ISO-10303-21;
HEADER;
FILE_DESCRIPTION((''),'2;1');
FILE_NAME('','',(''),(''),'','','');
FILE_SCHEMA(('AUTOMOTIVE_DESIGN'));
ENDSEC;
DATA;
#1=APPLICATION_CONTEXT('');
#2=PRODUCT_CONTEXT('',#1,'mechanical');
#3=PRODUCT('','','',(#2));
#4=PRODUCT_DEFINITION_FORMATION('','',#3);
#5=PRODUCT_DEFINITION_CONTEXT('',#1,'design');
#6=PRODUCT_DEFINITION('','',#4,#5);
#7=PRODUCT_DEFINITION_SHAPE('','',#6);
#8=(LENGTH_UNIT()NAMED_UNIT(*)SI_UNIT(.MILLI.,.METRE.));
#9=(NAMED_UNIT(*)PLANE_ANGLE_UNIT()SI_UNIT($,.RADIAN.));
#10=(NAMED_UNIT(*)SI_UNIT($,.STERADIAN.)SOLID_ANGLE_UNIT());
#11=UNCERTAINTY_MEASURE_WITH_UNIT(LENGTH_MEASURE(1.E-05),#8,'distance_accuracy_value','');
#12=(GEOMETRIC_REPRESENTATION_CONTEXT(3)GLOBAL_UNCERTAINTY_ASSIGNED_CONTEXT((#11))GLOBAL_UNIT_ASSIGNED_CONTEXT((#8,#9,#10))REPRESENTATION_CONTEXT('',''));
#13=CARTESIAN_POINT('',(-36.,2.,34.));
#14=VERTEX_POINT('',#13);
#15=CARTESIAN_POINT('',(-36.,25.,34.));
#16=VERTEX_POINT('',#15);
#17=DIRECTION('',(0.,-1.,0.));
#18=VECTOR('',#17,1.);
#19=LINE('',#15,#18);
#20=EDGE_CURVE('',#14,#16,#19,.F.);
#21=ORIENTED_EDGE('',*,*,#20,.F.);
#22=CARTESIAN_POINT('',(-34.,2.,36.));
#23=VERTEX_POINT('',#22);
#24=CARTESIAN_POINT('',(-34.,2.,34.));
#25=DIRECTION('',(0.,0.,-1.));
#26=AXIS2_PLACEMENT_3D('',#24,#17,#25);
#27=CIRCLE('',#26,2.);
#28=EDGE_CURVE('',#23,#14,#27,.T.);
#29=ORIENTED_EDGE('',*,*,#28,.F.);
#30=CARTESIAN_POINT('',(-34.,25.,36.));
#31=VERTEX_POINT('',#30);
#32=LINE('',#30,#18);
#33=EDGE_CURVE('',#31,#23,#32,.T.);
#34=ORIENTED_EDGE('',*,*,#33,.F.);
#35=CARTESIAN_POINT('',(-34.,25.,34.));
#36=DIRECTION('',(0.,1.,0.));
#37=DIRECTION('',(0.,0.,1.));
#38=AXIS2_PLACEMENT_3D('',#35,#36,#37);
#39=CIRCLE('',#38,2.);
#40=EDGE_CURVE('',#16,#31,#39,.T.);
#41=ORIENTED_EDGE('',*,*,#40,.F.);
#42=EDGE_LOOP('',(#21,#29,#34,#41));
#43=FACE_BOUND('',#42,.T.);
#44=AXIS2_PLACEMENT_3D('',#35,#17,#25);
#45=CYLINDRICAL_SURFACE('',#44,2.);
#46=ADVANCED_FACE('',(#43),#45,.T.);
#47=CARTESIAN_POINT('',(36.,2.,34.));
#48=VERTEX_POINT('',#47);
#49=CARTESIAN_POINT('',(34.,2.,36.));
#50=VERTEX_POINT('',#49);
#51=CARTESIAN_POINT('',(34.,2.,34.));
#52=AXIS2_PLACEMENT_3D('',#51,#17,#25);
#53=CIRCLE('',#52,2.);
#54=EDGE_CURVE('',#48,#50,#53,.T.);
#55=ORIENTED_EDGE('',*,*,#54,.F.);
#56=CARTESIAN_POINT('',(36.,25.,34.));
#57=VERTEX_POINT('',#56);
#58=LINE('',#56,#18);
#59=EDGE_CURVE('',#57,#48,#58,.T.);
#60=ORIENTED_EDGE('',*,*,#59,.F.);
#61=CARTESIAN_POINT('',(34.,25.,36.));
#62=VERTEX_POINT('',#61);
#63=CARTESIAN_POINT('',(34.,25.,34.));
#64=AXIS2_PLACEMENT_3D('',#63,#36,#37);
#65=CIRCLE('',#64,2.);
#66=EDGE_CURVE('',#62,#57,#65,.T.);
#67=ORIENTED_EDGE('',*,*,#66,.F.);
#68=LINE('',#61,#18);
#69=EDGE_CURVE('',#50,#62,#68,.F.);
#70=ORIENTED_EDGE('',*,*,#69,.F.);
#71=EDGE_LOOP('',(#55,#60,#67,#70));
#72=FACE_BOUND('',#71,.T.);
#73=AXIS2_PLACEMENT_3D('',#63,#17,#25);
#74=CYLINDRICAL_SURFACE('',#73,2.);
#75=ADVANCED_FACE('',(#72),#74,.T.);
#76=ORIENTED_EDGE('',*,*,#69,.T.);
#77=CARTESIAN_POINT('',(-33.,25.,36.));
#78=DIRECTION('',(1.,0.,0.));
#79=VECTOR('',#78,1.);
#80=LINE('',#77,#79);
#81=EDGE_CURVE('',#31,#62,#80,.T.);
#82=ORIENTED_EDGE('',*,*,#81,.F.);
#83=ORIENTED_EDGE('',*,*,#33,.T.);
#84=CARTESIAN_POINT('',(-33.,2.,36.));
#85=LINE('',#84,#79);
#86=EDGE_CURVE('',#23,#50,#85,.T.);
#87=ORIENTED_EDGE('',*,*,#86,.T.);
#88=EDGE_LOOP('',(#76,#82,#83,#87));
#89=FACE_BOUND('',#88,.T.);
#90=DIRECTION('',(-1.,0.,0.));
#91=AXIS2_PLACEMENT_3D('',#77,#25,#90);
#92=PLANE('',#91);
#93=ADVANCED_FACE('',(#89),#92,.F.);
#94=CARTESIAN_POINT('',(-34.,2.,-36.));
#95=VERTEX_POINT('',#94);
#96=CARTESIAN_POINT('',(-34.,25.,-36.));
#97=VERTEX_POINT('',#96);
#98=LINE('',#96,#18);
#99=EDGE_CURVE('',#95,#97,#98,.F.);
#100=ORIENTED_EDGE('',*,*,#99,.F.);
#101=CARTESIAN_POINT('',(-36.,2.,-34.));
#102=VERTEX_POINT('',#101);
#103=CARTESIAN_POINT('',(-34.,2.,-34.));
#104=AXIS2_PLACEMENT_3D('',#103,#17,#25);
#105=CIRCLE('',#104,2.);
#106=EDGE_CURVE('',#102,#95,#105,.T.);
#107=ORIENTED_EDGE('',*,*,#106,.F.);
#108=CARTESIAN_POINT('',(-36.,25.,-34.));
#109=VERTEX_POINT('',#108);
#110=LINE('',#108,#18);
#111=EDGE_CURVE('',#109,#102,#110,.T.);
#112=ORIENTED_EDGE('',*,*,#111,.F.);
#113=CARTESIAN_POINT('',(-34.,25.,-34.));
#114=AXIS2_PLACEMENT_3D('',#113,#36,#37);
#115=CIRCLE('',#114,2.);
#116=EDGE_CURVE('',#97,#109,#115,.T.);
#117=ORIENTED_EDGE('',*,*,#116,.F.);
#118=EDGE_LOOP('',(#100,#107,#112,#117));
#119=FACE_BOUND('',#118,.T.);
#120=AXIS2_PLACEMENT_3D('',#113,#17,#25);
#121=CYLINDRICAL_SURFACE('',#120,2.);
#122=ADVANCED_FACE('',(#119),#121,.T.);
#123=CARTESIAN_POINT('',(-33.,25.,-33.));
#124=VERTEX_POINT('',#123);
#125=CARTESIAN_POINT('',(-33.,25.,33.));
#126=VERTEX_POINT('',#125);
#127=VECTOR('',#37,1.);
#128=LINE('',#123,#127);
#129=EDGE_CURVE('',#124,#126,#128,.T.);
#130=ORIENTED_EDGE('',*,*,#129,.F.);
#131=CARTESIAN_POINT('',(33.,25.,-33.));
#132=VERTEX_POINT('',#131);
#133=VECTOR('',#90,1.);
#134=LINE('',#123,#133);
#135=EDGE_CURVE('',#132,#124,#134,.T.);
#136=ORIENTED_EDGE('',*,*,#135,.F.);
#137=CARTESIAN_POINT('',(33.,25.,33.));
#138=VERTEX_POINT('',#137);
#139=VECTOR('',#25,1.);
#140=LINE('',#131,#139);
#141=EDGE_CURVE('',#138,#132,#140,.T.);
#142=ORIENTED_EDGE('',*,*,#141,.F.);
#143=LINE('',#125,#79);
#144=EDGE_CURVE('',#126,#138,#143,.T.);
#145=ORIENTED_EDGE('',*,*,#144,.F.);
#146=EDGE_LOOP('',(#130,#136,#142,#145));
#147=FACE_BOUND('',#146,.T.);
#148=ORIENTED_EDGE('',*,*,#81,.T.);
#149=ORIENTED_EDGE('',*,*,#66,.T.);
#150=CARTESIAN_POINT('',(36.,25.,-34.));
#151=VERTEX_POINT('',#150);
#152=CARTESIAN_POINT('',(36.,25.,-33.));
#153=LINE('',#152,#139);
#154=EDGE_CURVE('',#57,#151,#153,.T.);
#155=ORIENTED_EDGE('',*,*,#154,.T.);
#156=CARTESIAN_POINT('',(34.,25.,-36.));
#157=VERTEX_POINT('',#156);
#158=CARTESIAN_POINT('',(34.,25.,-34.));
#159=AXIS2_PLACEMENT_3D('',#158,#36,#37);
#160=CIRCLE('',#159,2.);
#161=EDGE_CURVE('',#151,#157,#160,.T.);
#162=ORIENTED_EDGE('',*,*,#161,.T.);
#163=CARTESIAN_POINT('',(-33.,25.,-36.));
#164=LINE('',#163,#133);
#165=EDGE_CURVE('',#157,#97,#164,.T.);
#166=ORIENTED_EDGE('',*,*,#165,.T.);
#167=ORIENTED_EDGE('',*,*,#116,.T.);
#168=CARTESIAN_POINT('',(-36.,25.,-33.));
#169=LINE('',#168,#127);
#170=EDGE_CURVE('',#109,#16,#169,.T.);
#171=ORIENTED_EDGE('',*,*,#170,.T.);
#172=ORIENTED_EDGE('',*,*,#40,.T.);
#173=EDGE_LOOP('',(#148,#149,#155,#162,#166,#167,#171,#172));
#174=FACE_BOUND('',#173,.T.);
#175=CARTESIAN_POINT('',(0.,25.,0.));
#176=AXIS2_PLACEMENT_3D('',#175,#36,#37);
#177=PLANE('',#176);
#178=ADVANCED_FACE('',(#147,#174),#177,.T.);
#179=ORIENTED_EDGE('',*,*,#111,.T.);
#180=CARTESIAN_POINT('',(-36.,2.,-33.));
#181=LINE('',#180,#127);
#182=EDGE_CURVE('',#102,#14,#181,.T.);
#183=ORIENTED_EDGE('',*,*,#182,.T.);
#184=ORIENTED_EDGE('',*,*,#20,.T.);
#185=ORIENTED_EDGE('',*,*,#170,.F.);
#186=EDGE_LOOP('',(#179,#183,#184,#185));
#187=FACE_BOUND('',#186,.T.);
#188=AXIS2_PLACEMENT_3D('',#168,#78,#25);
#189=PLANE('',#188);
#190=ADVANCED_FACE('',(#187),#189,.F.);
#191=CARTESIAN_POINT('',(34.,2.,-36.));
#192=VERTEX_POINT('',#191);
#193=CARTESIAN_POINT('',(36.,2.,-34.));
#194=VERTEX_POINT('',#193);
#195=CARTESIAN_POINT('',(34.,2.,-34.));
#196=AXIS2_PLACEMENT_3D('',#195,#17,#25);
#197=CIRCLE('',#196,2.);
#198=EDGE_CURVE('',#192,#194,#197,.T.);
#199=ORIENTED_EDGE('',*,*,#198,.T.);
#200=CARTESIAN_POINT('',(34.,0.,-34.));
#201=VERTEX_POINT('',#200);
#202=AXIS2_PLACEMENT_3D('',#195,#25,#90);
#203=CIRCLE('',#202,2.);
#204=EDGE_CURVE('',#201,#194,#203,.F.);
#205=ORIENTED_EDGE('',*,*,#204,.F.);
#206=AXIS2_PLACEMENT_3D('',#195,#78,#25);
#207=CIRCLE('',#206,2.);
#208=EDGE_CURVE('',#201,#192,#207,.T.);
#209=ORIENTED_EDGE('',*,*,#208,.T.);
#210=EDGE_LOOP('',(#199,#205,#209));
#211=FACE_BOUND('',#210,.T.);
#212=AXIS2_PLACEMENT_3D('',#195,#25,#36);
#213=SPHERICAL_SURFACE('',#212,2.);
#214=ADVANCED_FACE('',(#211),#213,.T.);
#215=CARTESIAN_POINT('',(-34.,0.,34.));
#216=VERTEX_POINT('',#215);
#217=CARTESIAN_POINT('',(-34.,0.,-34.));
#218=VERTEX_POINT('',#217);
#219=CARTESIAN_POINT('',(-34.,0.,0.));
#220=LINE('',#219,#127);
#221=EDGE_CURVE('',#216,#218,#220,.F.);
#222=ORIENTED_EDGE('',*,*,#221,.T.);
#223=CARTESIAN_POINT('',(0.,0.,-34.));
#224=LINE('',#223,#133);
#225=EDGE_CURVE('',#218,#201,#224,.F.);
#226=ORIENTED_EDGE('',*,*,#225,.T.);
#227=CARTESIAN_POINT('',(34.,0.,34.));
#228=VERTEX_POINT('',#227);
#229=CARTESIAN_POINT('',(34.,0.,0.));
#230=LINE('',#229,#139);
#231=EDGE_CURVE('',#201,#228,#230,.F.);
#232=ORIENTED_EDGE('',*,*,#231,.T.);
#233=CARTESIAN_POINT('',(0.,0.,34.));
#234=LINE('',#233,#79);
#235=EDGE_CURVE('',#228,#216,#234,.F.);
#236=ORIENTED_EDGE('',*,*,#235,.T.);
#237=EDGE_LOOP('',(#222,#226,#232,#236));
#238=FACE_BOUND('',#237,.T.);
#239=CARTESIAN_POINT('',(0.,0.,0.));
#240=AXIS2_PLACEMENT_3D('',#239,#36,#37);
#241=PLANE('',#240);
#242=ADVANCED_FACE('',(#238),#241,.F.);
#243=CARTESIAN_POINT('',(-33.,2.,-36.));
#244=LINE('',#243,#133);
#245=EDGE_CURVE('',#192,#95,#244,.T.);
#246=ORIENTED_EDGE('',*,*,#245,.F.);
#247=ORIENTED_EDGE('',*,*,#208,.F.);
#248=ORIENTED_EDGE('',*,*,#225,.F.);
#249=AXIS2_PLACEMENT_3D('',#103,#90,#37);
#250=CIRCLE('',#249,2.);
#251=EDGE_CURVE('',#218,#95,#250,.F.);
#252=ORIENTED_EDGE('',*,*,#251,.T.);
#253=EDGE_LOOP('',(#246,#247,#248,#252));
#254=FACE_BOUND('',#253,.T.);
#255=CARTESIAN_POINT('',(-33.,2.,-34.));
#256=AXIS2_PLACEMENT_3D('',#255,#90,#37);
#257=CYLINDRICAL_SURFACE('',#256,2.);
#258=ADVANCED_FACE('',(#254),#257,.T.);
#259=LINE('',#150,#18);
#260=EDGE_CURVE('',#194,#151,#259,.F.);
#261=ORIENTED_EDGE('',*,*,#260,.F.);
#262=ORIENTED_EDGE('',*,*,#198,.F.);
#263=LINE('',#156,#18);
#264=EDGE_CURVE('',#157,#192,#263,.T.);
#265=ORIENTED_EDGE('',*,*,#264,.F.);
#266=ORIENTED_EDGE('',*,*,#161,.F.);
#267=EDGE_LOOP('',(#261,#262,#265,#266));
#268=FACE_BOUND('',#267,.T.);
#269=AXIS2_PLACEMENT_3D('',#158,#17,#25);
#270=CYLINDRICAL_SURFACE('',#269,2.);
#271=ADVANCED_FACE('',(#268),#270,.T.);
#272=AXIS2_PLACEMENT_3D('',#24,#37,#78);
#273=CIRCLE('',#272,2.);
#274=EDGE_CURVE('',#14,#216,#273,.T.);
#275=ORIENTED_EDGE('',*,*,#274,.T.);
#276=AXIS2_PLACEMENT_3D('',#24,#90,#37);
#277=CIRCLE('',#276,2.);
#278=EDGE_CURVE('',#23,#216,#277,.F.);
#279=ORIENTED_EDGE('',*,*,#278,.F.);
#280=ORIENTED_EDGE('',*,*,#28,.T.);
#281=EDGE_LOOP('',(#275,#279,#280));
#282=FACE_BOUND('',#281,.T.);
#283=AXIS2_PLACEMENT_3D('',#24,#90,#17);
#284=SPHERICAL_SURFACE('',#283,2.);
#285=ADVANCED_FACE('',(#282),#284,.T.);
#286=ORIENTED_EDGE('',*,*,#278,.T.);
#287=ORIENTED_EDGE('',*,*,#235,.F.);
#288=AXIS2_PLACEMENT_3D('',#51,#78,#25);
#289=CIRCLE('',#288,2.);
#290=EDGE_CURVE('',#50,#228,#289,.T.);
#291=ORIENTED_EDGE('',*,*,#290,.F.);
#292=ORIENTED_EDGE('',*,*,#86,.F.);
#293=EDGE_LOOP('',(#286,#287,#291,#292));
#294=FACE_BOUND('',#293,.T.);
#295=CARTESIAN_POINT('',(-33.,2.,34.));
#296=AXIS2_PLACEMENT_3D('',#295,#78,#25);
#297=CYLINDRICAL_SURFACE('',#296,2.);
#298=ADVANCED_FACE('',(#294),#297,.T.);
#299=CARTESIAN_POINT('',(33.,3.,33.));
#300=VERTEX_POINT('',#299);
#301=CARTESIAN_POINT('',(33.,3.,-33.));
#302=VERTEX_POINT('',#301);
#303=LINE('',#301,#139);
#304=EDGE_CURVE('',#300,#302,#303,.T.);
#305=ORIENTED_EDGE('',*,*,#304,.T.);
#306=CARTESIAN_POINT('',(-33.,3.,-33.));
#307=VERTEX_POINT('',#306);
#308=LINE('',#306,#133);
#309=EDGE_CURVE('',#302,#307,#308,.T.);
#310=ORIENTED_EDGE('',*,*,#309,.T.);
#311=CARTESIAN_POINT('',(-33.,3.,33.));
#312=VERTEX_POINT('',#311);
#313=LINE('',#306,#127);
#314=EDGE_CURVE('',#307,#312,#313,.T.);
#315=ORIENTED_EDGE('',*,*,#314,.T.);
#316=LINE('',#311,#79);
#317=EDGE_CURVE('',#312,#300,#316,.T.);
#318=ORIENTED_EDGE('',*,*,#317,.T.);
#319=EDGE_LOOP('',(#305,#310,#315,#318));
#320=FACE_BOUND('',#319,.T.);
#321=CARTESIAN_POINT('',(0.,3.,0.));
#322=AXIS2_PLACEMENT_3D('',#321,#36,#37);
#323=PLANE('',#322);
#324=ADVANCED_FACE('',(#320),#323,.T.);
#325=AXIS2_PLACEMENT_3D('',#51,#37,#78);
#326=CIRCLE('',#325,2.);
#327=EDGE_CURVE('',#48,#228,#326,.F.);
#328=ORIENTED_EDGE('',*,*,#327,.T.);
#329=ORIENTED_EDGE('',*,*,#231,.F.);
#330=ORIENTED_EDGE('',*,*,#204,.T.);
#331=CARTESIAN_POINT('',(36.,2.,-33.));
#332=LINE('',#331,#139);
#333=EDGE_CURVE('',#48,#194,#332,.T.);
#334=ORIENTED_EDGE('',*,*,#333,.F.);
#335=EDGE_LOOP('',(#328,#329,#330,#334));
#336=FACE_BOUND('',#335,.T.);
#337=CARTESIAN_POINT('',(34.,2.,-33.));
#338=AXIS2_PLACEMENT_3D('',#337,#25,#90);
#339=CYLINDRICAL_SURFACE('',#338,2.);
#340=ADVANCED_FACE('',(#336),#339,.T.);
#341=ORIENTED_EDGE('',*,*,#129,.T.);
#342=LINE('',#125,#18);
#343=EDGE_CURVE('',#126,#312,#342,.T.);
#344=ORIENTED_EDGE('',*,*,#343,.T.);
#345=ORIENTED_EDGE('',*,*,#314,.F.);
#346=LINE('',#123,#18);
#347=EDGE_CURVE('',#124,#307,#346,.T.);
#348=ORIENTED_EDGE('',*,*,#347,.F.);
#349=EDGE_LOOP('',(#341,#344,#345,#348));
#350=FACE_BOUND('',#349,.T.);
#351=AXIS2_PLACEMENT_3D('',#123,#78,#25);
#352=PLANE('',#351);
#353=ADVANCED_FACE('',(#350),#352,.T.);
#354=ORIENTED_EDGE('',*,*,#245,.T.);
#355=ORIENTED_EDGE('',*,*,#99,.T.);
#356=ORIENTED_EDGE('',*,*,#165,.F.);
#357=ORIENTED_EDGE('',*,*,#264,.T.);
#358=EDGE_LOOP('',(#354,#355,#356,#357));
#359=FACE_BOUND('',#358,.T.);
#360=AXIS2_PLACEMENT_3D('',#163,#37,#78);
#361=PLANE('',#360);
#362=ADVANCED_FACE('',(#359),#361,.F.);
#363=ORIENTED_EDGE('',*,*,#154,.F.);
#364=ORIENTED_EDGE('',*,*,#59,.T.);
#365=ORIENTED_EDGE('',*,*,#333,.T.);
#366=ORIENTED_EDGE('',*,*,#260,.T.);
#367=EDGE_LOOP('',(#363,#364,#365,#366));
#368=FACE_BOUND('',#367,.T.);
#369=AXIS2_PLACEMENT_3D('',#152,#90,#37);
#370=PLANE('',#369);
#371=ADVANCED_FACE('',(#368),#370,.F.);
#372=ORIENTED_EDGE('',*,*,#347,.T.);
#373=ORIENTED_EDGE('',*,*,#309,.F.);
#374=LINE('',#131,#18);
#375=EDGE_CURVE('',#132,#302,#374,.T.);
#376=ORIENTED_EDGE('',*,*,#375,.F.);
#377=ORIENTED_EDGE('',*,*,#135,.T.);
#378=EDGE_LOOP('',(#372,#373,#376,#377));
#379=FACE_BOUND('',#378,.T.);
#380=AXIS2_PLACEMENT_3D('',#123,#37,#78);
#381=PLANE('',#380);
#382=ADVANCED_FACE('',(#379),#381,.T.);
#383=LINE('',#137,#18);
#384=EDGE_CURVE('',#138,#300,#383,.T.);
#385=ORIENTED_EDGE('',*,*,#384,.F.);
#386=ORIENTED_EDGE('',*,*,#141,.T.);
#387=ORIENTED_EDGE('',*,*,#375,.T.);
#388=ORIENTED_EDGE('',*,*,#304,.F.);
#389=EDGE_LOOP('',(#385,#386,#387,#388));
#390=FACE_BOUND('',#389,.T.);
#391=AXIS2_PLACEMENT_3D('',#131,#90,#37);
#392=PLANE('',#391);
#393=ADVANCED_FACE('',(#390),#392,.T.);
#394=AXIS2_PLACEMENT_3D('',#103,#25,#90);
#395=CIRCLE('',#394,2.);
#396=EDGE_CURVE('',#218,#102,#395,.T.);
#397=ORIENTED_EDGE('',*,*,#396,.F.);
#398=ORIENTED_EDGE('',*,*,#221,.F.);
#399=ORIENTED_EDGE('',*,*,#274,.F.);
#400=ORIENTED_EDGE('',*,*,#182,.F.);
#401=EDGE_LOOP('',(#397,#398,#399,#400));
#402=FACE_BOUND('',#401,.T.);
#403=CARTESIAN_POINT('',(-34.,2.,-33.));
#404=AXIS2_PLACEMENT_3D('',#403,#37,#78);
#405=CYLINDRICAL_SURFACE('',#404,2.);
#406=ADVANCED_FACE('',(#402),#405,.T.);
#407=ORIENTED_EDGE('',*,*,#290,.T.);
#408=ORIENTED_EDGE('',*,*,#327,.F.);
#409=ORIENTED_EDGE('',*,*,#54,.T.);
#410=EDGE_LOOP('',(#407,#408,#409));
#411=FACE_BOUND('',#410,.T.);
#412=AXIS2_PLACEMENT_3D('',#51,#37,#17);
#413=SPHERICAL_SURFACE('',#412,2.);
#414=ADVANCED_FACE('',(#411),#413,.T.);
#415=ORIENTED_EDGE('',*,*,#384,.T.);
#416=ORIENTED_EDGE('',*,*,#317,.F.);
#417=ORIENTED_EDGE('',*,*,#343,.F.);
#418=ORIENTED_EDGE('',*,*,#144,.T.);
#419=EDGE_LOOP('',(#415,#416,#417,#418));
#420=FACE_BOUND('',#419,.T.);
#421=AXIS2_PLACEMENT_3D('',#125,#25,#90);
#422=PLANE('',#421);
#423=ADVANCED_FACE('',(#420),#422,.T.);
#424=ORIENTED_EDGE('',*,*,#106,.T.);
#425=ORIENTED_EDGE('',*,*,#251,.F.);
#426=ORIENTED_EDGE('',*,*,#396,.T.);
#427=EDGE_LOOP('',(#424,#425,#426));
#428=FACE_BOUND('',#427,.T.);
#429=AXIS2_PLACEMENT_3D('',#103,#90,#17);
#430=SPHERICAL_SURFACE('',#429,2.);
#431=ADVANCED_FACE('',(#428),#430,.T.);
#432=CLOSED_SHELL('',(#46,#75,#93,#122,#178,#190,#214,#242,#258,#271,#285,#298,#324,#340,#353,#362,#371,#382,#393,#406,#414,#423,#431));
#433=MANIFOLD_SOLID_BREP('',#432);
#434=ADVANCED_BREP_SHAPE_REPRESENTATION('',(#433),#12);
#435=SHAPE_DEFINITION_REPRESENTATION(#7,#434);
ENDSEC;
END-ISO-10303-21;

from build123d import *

# Parameters (mm, degrees)
SKETCH_1_W        = 66
SKETCH_1_H        = 66
EXTRUDE_1_DEPTH   = 3
SKETCH_1_2_W      = 72
SKETCH_1_2_H      = 72
SKETCH_1_2_W_2    = 66
SKETCH_1_2_H_2    = 66
EXTRUDE_1_2_DEPTH = 25
FILLET_1_R        = 2


with BuildPart() as part:
    # 草图1 → Extrude 1 (new body)
    with BuildSketch(Plane(origin=(0, 0, 0), x_dir=(1, 0, 0), z_dir=(0, 1, 0))):
        Rectangle(SKETCH_1_W, SKETCH_1_H)
    extrude(amount=EXTRUDE_1_DEPTH)

    # 草图1<2> → Extrude 1 2 (add)
    with BuildSketch(Plane(origin=(0, 0, 0), x_dir=(1, 0, 0), z_dir=(0, 1, 0))):
        Rectangle(SKETCH_1_2_W, SKETCH_1_2_H)
        Rectangle(SKETCH_1_2_W_2, SKETCH_1_2_H_2, mode=Mode.SUBTRACT)
    extrude(amount=EXTRUDE_1_2_DEPTH)

    # 圆角1
    fillet_1_edges = [part.edges().sort_by_distance(p)[0] for p in [
        (36, 0, 0),
        (36, 12.5, 36),
        (0, 0, -36),
        (36, 12.5, -36),
        (-36, 0, 0),
        (-36, 12.5, -36),
        (0, 0, 36),
        (-36, 12.5, 36),
    ]]
    fillet(fillet_1_edges, radius=FILLET_1_R)


solid = part.part
